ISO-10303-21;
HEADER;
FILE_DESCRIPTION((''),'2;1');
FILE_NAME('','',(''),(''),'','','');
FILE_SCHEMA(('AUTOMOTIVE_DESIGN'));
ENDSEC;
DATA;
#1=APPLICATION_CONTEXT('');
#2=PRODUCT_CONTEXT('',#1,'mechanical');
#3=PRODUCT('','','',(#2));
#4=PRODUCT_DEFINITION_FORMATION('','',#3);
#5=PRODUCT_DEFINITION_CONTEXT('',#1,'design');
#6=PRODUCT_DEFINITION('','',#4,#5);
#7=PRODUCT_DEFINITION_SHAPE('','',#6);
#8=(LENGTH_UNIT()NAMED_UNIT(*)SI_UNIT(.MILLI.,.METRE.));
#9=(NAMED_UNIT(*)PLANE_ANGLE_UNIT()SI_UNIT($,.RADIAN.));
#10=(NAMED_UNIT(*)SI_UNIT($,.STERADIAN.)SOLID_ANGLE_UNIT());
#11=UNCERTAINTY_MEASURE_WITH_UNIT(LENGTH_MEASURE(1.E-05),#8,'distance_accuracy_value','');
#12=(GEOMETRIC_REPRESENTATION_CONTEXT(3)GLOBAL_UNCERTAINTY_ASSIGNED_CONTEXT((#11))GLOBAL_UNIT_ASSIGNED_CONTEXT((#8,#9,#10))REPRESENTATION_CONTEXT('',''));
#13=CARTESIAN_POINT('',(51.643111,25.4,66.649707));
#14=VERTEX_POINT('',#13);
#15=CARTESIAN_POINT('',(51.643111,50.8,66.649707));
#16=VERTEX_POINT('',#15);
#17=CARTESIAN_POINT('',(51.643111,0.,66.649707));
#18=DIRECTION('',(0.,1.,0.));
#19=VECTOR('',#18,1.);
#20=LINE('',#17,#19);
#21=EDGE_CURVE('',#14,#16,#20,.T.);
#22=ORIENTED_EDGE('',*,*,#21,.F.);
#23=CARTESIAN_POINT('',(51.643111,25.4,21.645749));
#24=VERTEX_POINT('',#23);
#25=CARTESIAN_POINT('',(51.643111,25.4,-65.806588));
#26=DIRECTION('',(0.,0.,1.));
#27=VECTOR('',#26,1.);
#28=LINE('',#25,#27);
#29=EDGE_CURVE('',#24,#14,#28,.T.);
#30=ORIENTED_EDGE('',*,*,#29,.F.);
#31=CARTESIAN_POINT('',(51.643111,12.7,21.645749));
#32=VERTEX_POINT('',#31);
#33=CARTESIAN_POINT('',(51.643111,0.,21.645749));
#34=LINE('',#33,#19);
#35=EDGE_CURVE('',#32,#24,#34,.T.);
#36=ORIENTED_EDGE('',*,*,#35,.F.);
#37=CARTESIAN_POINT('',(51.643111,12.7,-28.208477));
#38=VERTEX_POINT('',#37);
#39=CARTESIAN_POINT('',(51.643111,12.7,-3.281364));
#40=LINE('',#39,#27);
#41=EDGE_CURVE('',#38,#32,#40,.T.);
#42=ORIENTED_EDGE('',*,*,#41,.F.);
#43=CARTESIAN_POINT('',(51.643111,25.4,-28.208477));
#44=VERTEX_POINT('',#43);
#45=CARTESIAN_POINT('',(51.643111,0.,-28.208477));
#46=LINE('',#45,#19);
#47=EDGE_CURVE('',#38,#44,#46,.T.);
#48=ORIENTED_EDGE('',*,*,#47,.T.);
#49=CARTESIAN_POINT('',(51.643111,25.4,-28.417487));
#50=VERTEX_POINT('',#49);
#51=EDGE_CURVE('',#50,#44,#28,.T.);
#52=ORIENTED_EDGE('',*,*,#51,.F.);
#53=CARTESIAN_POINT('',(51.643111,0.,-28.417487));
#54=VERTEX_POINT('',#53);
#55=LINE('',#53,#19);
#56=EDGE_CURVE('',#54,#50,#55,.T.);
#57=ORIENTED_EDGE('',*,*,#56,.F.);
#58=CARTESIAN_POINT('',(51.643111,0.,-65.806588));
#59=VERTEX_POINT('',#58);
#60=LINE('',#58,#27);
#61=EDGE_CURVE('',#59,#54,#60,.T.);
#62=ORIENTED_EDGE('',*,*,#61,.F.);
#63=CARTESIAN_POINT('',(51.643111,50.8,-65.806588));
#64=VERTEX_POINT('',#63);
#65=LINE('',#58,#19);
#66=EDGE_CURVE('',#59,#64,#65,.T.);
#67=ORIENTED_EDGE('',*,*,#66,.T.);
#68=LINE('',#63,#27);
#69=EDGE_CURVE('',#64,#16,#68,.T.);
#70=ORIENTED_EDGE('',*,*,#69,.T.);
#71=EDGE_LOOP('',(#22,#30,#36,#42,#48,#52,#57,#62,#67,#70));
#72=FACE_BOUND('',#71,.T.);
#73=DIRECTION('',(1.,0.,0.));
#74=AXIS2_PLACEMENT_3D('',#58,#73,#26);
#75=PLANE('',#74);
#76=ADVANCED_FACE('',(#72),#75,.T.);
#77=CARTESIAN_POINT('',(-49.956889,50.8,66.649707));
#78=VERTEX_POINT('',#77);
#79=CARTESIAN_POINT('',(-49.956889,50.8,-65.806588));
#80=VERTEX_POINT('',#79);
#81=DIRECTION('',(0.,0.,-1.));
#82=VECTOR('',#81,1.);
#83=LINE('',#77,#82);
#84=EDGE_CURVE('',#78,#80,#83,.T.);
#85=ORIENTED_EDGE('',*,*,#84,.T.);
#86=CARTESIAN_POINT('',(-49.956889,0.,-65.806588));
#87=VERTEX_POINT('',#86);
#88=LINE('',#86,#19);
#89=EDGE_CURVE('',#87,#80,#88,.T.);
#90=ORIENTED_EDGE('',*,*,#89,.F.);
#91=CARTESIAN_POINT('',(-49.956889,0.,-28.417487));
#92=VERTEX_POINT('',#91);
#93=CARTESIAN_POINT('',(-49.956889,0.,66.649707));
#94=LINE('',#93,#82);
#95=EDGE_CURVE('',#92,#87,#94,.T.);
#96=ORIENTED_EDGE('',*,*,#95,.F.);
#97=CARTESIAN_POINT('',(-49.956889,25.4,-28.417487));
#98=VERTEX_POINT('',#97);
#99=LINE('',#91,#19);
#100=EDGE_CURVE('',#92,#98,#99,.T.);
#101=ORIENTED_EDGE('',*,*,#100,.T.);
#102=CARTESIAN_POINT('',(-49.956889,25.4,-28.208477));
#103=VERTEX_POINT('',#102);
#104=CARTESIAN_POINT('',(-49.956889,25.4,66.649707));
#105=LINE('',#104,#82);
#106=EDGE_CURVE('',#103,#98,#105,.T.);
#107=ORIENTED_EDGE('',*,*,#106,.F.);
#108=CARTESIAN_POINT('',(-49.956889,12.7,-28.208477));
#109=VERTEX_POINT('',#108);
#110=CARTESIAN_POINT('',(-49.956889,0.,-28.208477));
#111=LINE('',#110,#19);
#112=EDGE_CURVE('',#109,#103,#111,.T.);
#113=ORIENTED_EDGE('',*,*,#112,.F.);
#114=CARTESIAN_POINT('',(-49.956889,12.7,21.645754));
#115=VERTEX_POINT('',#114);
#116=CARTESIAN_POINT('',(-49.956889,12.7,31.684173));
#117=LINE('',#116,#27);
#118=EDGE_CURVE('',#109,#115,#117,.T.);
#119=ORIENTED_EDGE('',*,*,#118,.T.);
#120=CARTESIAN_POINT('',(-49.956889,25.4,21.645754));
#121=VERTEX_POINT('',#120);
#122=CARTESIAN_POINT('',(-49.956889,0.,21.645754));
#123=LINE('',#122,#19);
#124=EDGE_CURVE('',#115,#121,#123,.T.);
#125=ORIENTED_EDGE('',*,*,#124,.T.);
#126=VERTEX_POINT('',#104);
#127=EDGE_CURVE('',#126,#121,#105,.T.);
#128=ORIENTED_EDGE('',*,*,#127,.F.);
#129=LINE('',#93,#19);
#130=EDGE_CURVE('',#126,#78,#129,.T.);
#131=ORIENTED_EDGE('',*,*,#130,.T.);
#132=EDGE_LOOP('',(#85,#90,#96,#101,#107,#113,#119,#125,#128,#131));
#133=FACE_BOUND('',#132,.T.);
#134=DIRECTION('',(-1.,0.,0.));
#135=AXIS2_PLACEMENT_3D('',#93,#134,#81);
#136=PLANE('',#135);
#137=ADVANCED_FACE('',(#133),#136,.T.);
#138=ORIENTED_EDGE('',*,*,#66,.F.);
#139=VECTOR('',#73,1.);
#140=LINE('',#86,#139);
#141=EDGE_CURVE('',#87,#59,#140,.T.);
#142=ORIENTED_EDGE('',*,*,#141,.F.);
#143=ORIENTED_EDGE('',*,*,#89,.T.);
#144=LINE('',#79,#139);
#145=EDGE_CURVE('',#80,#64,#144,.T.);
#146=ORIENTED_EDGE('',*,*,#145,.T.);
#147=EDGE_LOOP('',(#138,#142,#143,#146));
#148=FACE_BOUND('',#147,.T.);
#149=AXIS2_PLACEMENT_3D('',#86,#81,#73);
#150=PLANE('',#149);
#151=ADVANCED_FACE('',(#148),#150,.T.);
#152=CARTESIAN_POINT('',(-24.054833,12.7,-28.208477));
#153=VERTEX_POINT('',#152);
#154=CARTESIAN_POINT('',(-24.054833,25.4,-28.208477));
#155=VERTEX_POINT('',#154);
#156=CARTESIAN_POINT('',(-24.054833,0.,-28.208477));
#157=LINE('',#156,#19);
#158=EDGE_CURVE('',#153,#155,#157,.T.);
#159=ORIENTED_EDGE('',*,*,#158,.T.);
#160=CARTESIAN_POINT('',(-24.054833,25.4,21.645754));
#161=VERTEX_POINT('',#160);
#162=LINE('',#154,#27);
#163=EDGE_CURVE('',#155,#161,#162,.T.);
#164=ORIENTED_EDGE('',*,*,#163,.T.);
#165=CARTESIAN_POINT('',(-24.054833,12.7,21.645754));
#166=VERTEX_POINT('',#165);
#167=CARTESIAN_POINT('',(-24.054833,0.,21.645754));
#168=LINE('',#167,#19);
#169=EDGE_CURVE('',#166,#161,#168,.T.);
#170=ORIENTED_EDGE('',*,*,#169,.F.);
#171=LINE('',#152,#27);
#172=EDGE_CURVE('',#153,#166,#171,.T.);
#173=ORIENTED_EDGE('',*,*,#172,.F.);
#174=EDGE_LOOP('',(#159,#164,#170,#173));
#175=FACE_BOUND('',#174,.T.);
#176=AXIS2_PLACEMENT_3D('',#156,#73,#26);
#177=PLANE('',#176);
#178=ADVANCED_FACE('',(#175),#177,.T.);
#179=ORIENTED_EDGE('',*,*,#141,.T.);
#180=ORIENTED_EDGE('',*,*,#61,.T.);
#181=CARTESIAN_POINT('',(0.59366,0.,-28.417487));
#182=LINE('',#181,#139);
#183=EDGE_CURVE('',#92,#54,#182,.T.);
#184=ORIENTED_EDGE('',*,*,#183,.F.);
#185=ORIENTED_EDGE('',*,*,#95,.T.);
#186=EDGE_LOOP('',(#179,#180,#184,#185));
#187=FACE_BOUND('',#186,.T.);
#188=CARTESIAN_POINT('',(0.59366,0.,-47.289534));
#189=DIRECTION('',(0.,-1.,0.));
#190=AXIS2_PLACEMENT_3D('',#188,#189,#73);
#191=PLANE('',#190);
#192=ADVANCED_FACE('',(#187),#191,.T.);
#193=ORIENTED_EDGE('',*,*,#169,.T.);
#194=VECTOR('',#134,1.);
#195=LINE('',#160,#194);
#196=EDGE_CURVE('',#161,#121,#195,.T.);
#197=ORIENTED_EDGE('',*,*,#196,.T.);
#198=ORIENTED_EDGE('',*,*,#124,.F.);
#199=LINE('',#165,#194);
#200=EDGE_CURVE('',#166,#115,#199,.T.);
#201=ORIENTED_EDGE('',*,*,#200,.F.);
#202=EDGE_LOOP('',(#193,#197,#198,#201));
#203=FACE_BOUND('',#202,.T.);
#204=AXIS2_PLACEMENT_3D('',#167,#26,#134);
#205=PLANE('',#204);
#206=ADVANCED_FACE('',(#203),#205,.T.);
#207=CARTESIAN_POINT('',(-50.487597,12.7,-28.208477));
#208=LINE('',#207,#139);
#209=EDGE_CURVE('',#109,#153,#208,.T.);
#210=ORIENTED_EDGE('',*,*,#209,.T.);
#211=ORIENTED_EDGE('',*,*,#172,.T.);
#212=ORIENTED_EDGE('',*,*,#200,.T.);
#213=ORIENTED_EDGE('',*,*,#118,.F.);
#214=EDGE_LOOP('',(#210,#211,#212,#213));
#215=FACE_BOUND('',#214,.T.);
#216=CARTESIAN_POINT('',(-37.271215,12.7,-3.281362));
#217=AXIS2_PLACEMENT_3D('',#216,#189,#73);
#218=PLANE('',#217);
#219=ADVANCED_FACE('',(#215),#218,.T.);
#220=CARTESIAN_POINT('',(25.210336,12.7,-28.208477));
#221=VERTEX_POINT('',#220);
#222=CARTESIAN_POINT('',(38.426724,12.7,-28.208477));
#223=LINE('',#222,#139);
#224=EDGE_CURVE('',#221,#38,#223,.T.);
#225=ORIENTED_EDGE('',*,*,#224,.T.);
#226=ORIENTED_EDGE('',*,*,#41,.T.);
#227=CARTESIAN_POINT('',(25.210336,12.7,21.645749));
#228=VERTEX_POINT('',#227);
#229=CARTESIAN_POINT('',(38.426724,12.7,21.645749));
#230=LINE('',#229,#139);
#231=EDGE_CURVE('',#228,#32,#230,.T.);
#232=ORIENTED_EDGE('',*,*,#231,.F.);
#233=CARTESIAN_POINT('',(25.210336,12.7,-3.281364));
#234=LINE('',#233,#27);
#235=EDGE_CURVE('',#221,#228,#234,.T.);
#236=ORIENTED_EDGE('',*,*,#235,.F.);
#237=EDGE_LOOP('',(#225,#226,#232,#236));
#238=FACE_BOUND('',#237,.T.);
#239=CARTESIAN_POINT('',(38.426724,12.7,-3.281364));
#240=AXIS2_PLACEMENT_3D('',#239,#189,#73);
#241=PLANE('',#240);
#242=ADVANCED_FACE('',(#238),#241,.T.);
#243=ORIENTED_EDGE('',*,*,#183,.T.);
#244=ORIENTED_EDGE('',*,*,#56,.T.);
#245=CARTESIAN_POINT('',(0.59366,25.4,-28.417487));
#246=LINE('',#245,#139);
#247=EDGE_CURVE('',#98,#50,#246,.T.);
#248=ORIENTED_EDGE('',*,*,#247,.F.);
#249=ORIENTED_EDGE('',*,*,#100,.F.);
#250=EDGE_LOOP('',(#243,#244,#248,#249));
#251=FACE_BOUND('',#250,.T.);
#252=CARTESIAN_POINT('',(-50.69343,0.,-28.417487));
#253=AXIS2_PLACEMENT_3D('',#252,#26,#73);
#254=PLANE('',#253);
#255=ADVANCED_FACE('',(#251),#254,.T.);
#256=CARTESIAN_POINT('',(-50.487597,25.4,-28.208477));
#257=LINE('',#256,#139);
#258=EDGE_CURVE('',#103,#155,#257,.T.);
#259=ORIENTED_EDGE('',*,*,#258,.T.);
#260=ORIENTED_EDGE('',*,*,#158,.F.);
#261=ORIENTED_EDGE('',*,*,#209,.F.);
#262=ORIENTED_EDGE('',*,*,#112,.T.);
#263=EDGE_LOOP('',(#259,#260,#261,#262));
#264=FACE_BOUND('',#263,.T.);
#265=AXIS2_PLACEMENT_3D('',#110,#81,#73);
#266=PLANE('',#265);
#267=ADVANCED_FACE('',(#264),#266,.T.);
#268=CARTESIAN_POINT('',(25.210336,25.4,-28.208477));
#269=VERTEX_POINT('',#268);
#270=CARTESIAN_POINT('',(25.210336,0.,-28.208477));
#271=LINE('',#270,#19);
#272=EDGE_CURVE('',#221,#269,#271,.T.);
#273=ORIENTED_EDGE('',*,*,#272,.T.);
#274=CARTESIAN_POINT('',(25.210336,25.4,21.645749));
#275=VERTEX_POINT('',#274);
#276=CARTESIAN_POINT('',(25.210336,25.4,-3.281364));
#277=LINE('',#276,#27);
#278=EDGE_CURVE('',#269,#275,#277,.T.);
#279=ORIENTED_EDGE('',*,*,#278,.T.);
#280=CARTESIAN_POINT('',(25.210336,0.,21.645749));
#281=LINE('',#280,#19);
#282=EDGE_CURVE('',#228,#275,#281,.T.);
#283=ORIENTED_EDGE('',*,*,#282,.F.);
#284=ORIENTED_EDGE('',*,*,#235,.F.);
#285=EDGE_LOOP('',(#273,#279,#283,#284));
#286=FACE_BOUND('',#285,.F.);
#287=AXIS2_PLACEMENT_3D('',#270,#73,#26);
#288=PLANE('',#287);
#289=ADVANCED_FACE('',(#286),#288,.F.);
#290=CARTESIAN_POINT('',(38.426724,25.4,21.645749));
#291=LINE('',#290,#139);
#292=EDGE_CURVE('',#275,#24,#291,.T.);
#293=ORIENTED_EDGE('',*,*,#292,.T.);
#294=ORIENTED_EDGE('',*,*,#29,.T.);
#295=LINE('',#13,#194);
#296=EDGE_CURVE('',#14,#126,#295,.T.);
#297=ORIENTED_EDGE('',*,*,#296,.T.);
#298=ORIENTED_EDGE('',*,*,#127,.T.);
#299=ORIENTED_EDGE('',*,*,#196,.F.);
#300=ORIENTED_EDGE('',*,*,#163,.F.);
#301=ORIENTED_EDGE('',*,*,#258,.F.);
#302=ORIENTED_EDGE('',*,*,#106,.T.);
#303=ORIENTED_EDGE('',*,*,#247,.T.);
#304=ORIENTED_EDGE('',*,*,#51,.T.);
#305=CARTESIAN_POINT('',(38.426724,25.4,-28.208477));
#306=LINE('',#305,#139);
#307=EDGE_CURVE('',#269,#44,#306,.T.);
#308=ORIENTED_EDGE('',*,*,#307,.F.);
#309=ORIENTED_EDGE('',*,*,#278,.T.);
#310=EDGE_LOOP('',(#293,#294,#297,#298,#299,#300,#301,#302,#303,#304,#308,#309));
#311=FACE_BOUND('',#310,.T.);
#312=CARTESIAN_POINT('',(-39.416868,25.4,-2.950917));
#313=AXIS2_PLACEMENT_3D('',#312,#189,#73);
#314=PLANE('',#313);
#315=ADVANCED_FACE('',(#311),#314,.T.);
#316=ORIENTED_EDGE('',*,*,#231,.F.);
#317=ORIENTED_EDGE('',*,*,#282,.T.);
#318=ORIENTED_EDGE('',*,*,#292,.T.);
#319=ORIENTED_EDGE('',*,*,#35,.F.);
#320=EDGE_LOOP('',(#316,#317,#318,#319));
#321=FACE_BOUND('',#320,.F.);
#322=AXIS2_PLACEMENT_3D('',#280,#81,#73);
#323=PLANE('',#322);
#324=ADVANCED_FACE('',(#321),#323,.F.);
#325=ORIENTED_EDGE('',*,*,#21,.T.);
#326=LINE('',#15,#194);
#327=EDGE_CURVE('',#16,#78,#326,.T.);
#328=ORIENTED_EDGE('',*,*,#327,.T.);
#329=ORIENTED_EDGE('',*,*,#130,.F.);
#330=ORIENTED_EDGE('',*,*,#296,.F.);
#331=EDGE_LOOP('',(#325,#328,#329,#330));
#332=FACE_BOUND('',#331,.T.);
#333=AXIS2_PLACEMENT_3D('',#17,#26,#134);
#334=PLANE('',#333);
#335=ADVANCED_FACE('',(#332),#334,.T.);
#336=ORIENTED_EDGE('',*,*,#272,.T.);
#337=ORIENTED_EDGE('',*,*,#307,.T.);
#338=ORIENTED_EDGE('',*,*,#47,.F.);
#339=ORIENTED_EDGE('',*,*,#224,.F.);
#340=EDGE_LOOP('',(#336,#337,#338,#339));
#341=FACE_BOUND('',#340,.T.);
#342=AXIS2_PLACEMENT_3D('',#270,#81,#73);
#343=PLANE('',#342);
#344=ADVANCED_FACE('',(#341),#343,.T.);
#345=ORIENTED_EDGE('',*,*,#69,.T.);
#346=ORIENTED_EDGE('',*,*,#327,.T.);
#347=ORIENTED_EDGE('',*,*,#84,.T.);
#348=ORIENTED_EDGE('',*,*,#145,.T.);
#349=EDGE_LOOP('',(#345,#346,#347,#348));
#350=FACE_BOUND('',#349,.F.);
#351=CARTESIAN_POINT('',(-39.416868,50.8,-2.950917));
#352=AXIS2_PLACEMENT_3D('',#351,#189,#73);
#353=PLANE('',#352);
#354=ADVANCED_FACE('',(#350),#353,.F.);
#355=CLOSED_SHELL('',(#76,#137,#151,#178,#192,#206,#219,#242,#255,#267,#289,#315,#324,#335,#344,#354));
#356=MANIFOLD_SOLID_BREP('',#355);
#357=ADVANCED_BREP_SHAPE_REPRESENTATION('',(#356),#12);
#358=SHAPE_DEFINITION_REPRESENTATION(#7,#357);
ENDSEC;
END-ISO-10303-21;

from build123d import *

# Parameters (mm, degrees)
F0_W     = 21.0800419182
F0_H     = 51.430279389
F0_W_2   = 21.0800442
F1_DEPTH = 50.8
F2_W     = 26.432774961
F2_H     = 49.8542264104
F3_DEPTH = 12.7
F4_W     = 102.5741808116
F4_H     = 37.7440936863
F5_DEPTH = 25.4
F6_DEPTH = 25.4
F7_DEPTH = 25.4


with BuildPart() as f1:
    # F0 (on Front) → F1 (new body)
    with BuildSketch(Plane.XZ):
        with Locations((-39.4168676153, -2.9509169981)):
            Rectangle(F0_W, F0_H)
        with Locations((41.1030893256, -2.9509169981)):
            Rectangle(F0_W_2, F0_H)
        Polygon((51.6431114256, 66.6497073153), (-49.9568885744, 66.6497073153), (-49.9568885744, 22.7642226964), (-28.8768466562, 22.7642226964), (-28.8768466562, -28.6660566926), (30.5630672256, -28.6660566926), (30.5630672256, 22.7642226964), (51.6431114256, 22.7642226964), align=None)
        Polygon((-28.8768466562, -28.6660566926), (-49.9568885744, -28.6660566926), (-49.9568885744, -65.8065884391), (51.6431114256, -65.8065884391), (51.6431114256, -28.6660566926), (30.5630672256, -28.6660566926), align=None)
    extrude(amount=-F1_DEPTH)

    # F2 (on Front) → F3 (cut)
    with BuildSketch(Plane.XZ):
        with Locations((38.4267239451, -3.2813642174)):
            Rectangle(F2_W, F2_H)
        Polygon((-50.4875965416, -28.2084774226), (-50.1530058682, -28.2084774226), (-24.0548325416, -28.2084774226), (-24.0548325416, 21.6457535774), (-50.4875965416, 21.6457535774), align=None)
    extrude(amount=-F3_DEPTH, mode=Mode.SUBTRACT)

    # F4 (on Front) → F5 (join)
    with BuildSketch(Plane.XZ):
        with Locations((0.5936603993, -47.2895335406)):
            Rectangle(F4_W, F4_H)
    extrude(amount=F5_DEPTH)

    # F6 (cut): a face of the model
    f6_faces = [f1.faces().sort_by_distance(p)[0] for p in [
        (0.7506624664, 0, 27.4054577125),
    ]]
    extrude(f6_faces, amount=-F6_DEPTH, mode=Mode.SUBTRACT)

    # F7 (cut): a face of the model
    f7_faces = [f1.faces().sort_by_distance(p)[0] for p in [
        (0.5936603993, -25.4, -47.2895335406),
    ]]
    extrude(f7_faces, amount=-F7_DEPTH, mode=Mode.SUBTRACT)


solid = f1.part
